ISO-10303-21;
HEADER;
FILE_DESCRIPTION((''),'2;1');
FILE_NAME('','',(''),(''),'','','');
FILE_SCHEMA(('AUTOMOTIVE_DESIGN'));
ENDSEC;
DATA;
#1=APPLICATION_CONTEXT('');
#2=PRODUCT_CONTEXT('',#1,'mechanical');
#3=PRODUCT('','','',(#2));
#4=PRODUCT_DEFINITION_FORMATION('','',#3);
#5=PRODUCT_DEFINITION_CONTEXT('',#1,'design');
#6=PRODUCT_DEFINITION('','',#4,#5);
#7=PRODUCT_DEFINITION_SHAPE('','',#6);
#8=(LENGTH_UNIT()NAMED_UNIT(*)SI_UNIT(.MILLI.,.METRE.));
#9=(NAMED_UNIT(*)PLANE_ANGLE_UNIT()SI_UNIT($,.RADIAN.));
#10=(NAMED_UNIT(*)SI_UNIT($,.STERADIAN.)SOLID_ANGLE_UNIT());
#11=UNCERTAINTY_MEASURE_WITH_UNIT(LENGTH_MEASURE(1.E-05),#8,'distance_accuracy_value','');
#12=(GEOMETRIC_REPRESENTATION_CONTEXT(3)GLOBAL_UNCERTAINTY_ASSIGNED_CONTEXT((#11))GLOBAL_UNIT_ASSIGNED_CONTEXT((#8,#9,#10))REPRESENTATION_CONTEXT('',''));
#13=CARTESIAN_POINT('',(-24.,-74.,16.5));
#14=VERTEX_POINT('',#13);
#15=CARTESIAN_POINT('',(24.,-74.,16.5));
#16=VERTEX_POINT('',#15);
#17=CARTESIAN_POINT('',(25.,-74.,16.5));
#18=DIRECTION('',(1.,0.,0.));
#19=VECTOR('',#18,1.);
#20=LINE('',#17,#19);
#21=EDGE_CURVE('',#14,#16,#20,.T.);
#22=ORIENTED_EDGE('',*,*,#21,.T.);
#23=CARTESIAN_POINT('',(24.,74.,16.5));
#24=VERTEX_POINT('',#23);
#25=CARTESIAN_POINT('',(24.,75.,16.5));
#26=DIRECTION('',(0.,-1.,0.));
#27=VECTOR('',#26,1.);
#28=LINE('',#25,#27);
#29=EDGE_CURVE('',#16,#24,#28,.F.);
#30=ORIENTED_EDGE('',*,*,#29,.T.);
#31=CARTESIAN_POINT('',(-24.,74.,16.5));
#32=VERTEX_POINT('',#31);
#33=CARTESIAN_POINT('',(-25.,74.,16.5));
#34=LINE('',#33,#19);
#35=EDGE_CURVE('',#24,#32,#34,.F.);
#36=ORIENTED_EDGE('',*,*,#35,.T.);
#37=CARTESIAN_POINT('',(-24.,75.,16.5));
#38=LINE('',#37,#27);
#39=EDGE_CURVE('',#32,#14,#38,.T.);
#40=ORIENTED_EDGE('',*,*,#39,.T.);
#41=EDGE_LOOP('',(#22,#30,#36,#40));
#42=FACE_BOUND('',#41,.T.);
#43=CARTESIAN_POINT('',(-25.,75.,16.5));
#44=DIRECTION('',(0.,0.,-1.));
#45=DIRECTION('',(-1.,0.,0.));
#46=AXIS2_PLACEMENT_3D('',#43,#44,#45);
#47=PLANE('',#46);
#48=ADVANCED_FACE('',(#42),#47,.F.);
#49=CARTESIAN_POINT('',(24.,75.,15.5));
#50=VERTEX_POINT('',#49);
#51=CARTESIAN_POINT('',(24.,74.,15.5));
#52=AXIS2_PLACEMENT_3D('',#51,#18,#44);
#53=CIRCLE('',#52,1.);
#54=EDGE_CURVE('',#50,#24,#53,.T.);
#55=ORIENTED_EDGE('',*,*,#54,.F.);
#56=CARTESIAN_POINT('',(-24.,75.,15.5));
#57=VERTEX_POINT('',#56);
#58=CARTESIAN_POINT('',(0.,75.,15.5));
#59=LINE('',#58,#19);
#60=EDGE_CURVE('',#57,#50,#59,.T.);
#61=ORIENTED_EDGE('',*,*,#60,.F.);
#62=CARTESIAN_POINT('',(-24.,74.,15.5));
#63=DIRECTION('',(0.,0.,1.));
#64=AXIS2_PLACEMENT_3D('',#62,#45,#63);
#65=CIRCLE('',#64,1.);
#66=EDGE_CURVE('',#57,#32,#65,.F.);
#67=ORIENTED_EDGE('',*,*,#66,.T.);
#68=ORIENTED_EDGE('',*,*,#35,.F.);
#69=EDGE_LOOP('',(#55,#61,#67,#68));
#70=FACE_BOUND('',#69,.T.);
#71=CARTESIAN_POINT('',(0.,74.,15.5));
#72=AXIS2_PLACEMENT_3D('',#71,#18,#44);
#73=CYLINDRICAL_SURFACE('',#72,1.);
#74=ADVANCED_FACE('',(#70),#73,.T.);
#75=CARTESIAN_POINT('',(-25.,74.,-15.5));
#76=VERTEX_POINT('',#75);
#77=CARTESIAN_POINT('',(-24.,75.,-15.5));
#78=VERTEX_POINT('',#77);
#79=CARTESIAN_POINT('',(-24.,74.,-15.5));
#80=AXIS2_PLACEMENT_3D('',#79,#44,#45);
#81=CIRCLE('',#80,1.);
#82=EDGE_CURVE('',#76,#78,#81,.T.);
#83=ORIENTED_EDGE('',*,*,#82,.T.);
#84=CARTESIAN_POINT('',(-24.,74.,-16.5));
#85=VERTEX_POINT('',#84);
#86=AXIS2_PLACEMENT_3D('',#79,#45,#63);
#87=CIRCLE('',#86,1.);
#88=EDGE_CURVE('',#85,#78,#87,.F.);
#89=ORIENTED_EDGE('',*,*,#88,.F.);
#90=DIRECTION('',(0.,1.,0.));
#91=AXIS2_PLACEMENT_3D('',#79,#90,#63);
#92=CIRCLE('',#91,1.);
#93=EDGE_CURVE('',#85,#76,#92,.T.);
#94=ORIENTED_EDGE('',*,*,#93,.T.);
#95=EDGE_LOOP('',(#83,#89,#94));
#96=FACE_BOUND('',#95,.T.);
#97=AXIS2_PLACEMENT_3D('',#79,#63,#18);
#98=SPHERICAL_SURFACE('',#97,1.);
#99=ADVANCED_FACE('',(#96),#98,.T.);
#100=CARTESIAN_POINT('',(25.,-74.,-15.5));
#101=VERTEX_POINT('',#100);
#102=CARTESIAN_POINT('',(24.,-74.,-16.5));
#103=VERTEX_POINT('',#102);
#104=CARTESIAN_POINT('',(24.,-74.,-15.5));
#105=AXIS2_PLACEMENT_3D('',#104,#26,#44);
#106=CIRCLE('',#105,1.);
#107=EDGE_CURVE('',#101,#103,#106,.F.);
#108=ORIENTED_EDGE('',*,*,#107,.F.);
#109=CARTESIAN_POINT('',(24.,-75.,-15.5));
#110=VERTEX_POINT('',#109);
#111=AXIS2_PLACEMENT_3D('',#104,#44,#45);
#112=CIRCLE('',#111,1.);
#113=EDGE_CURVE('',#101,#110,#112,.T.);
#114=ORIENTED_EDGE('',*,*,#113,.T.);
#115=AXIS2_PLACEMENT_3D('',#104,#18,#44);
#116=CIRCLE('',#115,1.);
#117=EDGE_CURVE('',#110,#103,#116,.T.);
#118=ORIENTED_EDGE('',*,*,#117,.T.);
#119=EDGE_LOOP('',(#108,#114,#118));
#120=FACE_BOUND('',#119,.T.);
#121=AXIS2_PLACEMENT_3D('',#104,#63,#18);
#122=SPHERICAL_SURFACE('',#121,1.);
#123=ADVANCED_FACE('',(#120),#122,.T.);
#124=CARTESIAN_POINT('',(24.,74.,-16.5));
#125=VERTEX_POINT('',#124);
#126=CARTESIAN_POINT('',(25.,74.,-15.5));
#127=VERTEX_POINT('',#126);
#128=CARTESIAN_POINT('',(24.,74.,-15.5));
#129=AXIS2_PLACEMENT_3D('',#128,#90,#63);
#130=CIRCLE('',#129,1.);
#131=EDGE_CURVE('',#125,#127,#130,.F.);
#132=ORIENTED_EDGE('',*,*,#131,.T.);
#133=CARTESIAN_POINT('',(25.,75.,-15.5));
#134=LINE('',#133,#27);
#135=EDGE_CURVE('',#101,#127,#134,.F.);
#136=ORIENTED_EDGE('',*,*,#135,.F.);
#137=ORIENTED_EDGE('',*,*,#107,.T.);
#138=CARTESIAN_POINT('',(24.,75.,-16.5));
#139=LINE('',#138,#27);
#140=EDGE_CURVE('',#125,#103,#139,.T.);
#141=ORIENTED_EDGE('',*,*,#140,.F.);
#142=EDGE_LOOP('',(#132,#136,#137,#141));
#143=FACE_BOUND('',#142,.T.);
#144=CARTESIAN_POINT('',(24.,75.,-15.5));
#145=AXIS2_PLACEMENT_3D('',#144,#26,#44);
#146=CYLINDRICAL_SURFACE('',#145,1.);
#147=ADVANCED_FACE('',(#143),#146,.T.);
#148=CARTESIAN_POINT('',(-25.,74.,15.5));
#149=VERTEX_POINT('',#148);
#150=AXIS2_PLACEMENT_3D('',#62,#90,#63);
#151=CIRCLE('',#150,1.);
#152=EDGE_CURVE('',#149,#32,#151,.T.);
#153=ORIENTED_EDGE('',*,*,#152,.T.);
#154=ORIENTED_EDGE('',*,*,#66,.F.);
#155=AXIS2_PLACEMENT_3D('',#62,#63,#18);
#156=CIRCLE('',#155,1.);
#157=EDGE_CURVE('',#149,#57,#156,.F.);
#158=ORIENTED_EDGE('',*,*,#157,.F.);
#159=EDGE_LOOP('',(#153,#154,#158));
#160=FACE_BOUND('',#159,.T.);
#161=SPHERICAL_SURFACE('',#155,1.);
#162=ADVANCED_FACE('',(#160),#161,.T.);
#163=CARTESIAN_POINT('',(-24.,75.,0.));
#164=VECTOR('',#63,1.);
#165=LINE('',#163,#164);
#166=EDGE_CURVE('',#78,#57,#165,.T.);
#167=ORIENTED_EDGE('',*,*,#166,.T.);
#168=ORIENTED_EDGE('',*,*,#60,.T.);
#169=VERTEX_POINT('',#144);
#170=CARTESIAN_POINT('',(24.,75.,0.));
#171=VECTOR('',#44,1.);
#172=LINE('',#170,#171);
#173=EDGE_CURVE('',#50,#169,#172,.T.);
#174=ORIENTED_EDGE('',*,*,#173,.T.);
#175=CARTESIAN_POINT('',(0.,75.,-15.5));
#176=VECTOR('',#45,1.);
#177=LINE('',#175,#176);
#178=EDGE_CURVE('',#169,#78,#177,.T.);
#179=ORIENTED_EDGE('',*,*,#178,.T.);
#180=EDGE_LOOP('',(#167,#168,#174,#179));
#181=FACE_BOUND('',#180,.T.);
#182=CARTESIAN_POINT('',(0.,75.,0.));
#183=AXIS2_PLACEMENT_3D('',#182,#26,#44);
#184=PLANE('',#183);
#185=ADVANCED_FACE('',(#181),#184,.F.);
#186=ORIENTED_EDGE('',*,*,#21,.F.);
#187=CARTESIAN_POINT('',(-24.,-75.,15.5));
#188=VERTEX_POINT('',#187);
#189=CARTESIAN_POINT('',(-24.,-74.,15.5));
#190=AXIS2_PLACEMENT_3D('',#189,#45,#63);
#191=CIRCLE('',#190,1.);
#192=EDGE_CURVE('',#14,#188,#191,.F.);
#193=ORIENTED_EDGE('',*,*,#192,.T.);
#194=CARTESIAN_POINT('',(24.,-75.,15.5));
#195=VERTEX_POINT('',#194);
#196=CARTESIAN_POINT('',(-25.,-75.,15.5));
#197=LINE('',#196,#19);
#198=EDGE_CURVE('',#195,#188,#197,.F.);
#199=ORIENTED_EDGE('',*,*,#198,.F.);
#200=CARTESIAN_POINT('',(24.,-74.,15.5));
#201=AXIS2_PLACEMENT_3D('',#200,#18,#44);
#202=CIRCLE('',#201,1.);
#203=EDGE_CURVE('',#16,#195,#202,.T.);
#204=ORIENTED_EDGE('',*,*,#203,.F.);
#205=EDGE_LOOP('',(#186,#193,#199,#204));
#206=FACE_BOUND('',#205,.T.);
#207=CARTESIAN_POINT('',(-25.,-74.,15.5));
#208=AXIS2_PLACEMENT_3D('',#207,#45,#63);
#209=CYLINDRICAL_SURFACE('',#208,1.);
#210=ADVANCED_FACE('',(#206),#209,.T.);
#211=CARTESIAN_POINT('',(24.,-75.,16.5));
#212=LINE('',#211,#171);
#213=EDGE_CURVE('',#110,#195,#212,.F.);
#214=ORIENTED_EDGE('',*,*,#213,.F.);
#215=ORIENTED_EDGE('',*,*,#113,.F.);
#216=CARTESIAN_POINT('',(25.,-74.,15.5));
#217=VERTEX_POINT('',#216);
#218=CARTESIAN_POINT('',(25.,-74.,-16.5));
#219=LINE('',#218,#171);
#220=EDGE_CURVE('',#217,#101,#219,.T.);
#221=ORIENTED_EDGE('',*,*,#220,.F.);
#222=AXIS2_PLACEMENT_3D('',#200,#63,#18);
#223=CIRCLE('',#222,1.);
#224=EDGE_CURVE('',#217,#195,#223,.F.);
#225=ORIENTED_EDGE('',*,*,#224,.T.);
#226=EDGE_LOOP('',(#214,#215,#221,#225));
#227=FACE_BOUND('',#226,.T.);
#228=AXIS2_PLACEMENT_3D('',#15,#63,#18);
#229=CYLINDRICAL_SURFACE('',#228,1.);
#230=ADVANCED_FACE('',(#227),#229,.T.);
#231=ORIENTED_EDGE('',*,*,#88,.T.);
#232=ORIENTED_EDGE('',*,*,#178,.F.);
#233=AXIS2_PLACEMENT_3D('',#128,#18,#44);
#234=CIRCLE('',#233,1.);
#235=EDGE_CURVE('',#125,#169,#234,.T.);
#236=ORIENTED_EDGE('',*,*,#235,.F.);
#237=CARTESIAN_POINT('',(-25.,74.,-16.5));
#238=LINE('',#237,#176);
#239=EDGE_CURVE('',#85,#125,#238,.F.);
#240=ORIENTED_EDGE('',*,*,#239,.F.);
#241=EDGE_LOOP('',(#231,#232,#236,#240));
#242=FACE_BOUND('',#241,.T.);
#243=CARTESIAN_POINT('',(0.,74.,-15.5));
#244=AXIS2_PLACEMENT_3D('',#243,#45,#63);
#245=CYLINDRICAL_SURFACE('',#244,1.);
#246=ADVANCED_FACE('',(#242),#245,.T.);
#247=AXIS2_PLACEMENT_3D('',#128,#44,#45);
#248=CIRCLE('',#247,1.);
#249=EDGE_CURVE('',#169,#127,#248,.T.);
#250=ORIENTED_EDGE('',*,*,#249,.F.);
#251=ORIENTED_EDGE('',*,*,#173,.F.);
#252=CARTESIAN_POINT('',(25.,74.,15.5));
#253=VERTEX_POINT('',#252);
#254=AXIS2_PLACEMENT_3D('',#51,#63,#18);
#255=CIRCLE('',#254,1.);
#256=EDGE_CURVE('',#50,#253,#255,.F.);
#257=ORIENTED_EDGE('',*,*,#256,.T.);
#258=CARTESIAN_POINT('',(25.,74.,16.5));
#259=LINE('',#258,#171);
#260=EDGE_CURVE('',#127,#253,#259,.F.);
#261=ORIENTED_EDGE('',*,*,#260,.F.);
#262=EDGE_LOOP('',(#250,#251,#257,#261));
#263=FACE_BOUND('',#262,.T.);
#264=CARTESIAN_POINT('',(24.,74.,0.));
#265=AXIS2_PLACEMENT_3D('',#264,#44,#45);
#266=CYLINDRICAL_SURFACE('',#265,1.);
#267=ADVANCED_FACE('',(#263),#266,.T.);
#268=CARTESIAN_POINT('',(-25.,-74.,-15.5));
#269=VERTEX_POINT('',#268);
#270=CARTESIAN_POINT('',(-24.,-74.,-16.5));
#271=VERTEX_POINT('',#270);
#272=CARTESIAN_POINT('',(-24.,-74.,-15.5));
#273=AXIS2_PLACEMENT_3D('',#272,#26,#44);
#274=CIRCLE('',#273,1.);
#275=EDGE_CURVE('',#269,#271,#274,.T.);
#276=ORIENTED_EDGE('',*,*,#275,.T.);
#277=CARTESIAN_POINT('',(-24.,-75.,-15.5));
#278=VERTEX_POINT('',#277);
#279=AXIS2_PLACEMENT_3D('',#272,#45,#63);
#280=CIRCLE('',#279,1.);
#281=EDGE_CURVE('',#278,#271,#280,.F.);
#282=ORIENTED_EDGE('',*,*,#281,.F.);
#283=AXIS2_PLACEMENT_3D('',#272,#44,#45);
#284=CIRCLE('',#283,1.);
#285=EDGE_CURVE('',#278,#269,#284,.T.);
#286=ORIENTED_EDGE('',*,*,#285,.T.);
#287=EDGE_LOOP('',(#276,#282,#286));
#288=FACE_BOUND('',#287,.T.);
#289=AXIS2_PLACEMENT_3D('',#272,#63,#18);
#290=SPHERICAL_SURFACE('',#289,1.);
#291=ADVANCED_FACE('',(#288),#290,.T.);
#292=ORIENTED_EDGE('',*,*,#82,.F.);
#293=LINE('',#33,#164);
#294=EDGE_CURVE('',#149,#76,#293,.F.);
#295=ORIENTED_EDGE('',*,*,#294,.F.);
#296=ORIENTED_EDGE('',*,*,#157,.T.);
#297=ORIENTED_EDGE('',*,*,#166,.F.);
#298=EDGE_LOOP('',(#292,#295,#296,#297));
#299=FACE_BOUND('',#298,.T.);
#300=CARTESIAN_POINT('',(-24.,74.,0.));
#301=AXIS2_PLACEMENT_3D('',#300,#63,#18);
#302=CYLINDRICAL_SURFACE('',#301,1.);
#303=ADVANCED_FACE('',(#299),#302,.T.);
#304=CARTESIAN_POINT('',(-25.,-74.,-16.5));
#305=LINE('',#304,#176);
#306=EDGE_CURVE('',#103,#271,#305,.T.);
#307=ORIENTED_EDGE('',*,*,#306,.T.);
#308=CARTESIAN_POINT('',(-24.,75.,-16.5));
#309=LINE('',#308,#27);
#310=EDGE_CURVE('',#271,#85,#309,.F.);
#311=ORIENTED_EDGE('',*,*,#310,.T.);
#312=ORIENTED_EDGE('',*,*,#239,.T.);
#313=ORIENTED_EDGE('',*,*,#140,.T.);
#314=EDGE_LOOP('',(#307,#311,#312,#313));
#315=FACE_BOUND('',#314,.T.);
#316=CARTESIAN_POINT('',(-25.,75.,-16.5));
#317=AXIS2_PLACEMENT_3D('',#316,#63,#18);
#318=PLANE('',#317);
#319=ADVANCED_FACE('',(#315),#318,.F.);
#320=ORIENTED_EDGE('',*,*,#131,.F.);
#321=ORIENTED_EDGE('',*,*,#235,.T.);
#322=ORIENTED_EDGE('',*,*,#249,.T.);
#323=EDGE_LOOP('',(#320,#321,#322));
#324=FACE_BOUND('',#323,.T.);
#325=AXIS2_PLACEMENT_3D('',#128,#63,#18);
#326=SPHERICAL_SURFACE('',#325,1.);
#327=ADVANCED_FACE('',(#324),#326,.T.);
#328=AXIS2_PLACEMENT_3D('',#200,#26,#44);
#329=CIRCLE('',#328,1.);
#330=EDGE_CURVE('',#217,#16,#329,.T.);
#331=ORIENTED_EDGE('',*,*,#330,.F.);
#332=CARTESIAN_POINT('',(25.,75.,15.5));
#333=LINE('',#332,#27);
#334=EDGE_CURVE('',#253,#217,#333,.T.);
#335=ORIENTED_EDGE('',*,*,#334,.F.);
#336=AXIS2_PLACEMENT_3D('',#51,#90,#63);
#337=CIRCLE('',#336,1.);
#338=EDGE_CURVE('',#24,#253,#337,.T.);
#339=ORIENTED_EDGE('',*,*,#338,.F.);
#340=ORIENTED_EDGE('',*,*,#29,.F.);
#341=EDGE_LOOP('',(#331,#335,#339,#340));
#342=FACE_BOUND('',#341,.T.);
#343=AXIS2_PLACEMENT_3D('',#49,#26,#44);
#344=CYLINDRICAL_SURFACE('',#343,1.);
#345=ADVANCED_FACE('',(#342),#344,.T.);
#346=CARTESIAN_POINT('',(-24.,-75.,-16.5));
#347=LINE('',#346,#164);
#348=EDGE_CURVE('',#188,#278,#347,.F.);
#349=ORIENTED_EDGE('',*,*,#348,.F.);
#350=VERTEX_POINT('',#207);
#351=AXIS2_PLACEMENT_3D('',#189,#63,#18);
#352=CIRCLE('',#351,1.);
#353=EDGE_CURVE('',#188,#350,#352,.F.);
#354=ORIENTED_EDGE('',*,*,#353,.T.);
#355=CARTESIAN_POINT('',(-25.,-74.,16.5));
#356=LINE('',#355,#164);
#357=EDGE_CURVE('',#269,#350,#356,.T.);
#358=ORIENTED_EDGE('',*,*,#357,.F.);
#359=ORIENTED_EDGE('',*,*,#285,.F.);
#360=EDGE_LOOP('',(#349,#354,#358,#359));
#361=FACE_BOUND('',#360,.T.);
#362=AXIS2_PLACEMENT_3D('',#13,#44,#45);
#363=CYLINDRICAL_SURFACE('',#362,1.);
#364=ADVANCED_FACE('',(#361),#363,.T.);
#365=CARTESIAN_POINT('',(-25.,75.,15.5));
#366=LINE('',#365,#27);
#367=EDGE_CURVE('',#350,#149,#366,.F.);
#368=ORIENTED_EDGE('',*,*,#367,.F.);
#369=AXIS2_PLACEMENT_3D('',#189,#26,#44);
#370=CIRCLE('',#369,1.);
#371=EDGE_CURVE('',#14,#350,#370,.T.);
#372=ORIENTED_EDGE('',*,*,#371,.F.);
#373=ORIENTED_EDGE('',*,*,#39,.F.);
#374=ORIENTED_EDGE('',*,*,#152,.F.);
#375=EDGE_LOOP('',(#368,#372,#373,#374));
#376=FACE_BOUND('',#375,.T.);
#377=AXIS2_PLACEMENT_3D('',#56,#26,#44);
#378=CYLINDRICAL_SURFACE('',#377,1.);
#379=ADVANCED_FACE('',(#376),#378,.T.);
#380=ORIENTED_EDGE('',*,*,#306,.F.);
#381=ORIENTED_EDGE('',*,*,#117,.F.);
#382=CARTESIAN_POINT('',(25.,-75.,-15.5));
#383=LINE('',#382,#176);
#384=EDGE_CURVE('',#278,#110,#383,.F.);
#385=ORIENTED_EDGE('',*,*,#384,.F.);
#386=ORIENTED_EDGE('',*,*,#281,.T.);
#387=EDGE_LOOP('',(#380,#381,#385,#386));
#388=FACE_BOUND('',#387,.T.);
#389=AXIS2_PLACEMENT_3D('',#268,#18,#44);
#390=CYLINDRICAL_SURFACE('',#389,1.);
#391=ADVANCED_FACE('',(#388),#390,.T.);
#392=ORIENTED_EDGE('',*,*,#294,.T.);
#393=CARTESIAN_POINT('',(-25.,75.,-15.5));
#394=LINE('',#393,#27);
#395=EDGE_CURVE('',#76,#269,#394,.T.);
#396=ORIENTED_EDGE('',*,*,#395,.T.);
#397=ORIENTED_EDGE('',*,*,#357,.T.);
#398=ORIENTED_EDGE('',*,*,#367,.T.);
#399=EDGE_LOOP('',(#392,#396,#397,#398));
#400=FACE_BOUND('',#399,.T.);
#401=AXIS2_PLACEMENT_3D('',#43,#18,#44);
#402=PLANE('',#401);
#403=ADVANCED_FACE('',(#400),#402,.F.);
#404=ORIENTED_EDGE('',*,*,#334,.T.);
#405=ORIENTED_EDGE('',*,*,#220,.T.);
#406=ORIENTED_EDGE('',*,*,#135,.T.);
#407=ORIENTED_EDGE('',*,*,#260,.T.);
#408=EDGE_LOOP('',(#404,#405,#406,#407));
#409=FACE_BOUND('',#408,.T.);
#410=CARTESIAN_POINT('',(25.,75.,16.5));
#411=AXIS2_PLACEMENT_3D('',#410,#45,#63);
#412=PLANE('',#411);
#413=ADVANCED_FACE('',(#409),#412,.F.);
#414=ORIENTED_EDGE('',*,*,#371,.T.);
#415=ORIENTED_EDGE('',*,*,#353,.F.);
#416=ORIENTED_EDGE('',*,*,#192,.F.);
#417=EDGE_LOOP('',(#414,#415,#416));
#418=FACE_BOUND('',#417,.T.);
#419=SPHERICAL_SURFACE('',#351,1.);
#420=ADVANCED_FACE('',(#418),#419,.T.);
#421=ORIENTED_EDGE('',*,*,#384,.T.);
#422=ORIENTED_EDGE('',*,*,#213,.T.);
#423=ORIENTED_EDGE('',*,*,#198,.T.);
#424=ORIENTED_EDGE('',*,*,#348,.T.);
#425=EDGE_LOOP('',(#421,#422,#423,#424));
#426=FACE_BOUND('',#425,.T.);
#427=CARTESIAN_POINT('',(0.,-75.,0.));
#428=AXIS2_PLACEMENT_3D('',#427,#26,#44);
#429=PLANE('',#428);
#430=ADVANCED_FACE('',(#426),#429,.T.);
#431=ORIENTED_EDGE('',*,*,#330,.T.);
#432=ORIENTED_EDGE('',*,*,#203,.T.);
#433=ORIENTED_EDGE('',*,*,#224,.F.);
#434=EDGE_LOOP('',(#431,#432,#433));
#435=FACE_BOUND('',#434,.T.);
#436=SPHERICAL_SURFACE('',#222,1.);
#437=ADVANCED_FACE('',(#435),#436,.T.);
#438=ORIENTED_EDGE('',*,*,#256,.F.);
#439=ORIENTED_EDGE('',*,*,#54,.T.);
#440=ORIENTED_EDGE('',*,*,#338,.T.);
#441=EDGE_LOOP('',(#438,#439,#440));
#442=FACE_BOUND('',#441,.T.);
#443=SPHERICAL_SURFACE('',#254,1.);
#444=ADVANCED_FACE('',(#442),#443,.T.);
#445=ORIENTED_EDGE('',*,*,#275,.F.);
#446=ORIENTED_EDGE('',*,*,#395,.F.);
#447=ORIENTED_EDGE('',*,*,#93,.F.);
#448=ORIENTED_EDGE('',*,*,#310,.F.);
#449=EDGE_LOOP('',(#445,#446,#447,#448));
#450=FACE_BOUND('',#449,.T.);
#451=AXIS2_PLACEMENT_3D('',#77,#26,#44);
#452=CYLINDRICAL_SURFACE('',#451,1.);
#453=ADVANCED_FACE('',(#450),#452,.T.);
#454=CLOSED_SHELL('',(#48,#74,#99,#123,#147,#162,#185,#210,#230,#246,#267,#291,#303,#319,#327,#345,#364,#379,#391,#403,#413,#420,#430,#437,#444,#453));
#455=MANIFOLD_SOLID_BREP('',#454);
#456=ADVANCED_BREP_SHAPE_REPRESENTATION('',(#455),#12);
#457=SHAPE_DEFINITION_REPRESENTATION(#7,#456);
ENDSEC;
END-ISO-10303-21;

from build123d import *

# Parameters (mm, degrees)
SKETCH1_W           = 50
SKETCH1_H           = 33
BOSS_EXTRUDE1_DEPTH = 75
FILLET1_R           = 1


with BuildPart() as part:
    # Sketch1 → Boss-Extrude1 (new, symmetric)
    with BuildSketch(Plane(origin=(0, 0, 0), x_dir=(1, 0, 0), z_dir=(0, 1, 0))):
        Rectangle(SKETCH1_W, SKETCH1_H)
    extrude(amount=BOSS_EXTRUDE1_DEPTH, both=True)

    # Fillet1
    fillet1_edges = [part.edges().sort_by_distance(p)[0] for p in [
        (-25, 75, 0),
        (0, 75, 16.5),
        (25, 75, 0),
        (0, -75, 16.5),
        (-25, -75, 0),
        (0, -75, -16.5),
        (25, -75, 0),
        (0, 75, -16.5),
        (25, 0, 16.5),
        (-25, 0, 16.5),
        (-25, 0, -16.5),
        (25, 0, -16.5),
    ]]
    fillet(fillet1_edges, radius=FILLET1_R)


solid = part.part
